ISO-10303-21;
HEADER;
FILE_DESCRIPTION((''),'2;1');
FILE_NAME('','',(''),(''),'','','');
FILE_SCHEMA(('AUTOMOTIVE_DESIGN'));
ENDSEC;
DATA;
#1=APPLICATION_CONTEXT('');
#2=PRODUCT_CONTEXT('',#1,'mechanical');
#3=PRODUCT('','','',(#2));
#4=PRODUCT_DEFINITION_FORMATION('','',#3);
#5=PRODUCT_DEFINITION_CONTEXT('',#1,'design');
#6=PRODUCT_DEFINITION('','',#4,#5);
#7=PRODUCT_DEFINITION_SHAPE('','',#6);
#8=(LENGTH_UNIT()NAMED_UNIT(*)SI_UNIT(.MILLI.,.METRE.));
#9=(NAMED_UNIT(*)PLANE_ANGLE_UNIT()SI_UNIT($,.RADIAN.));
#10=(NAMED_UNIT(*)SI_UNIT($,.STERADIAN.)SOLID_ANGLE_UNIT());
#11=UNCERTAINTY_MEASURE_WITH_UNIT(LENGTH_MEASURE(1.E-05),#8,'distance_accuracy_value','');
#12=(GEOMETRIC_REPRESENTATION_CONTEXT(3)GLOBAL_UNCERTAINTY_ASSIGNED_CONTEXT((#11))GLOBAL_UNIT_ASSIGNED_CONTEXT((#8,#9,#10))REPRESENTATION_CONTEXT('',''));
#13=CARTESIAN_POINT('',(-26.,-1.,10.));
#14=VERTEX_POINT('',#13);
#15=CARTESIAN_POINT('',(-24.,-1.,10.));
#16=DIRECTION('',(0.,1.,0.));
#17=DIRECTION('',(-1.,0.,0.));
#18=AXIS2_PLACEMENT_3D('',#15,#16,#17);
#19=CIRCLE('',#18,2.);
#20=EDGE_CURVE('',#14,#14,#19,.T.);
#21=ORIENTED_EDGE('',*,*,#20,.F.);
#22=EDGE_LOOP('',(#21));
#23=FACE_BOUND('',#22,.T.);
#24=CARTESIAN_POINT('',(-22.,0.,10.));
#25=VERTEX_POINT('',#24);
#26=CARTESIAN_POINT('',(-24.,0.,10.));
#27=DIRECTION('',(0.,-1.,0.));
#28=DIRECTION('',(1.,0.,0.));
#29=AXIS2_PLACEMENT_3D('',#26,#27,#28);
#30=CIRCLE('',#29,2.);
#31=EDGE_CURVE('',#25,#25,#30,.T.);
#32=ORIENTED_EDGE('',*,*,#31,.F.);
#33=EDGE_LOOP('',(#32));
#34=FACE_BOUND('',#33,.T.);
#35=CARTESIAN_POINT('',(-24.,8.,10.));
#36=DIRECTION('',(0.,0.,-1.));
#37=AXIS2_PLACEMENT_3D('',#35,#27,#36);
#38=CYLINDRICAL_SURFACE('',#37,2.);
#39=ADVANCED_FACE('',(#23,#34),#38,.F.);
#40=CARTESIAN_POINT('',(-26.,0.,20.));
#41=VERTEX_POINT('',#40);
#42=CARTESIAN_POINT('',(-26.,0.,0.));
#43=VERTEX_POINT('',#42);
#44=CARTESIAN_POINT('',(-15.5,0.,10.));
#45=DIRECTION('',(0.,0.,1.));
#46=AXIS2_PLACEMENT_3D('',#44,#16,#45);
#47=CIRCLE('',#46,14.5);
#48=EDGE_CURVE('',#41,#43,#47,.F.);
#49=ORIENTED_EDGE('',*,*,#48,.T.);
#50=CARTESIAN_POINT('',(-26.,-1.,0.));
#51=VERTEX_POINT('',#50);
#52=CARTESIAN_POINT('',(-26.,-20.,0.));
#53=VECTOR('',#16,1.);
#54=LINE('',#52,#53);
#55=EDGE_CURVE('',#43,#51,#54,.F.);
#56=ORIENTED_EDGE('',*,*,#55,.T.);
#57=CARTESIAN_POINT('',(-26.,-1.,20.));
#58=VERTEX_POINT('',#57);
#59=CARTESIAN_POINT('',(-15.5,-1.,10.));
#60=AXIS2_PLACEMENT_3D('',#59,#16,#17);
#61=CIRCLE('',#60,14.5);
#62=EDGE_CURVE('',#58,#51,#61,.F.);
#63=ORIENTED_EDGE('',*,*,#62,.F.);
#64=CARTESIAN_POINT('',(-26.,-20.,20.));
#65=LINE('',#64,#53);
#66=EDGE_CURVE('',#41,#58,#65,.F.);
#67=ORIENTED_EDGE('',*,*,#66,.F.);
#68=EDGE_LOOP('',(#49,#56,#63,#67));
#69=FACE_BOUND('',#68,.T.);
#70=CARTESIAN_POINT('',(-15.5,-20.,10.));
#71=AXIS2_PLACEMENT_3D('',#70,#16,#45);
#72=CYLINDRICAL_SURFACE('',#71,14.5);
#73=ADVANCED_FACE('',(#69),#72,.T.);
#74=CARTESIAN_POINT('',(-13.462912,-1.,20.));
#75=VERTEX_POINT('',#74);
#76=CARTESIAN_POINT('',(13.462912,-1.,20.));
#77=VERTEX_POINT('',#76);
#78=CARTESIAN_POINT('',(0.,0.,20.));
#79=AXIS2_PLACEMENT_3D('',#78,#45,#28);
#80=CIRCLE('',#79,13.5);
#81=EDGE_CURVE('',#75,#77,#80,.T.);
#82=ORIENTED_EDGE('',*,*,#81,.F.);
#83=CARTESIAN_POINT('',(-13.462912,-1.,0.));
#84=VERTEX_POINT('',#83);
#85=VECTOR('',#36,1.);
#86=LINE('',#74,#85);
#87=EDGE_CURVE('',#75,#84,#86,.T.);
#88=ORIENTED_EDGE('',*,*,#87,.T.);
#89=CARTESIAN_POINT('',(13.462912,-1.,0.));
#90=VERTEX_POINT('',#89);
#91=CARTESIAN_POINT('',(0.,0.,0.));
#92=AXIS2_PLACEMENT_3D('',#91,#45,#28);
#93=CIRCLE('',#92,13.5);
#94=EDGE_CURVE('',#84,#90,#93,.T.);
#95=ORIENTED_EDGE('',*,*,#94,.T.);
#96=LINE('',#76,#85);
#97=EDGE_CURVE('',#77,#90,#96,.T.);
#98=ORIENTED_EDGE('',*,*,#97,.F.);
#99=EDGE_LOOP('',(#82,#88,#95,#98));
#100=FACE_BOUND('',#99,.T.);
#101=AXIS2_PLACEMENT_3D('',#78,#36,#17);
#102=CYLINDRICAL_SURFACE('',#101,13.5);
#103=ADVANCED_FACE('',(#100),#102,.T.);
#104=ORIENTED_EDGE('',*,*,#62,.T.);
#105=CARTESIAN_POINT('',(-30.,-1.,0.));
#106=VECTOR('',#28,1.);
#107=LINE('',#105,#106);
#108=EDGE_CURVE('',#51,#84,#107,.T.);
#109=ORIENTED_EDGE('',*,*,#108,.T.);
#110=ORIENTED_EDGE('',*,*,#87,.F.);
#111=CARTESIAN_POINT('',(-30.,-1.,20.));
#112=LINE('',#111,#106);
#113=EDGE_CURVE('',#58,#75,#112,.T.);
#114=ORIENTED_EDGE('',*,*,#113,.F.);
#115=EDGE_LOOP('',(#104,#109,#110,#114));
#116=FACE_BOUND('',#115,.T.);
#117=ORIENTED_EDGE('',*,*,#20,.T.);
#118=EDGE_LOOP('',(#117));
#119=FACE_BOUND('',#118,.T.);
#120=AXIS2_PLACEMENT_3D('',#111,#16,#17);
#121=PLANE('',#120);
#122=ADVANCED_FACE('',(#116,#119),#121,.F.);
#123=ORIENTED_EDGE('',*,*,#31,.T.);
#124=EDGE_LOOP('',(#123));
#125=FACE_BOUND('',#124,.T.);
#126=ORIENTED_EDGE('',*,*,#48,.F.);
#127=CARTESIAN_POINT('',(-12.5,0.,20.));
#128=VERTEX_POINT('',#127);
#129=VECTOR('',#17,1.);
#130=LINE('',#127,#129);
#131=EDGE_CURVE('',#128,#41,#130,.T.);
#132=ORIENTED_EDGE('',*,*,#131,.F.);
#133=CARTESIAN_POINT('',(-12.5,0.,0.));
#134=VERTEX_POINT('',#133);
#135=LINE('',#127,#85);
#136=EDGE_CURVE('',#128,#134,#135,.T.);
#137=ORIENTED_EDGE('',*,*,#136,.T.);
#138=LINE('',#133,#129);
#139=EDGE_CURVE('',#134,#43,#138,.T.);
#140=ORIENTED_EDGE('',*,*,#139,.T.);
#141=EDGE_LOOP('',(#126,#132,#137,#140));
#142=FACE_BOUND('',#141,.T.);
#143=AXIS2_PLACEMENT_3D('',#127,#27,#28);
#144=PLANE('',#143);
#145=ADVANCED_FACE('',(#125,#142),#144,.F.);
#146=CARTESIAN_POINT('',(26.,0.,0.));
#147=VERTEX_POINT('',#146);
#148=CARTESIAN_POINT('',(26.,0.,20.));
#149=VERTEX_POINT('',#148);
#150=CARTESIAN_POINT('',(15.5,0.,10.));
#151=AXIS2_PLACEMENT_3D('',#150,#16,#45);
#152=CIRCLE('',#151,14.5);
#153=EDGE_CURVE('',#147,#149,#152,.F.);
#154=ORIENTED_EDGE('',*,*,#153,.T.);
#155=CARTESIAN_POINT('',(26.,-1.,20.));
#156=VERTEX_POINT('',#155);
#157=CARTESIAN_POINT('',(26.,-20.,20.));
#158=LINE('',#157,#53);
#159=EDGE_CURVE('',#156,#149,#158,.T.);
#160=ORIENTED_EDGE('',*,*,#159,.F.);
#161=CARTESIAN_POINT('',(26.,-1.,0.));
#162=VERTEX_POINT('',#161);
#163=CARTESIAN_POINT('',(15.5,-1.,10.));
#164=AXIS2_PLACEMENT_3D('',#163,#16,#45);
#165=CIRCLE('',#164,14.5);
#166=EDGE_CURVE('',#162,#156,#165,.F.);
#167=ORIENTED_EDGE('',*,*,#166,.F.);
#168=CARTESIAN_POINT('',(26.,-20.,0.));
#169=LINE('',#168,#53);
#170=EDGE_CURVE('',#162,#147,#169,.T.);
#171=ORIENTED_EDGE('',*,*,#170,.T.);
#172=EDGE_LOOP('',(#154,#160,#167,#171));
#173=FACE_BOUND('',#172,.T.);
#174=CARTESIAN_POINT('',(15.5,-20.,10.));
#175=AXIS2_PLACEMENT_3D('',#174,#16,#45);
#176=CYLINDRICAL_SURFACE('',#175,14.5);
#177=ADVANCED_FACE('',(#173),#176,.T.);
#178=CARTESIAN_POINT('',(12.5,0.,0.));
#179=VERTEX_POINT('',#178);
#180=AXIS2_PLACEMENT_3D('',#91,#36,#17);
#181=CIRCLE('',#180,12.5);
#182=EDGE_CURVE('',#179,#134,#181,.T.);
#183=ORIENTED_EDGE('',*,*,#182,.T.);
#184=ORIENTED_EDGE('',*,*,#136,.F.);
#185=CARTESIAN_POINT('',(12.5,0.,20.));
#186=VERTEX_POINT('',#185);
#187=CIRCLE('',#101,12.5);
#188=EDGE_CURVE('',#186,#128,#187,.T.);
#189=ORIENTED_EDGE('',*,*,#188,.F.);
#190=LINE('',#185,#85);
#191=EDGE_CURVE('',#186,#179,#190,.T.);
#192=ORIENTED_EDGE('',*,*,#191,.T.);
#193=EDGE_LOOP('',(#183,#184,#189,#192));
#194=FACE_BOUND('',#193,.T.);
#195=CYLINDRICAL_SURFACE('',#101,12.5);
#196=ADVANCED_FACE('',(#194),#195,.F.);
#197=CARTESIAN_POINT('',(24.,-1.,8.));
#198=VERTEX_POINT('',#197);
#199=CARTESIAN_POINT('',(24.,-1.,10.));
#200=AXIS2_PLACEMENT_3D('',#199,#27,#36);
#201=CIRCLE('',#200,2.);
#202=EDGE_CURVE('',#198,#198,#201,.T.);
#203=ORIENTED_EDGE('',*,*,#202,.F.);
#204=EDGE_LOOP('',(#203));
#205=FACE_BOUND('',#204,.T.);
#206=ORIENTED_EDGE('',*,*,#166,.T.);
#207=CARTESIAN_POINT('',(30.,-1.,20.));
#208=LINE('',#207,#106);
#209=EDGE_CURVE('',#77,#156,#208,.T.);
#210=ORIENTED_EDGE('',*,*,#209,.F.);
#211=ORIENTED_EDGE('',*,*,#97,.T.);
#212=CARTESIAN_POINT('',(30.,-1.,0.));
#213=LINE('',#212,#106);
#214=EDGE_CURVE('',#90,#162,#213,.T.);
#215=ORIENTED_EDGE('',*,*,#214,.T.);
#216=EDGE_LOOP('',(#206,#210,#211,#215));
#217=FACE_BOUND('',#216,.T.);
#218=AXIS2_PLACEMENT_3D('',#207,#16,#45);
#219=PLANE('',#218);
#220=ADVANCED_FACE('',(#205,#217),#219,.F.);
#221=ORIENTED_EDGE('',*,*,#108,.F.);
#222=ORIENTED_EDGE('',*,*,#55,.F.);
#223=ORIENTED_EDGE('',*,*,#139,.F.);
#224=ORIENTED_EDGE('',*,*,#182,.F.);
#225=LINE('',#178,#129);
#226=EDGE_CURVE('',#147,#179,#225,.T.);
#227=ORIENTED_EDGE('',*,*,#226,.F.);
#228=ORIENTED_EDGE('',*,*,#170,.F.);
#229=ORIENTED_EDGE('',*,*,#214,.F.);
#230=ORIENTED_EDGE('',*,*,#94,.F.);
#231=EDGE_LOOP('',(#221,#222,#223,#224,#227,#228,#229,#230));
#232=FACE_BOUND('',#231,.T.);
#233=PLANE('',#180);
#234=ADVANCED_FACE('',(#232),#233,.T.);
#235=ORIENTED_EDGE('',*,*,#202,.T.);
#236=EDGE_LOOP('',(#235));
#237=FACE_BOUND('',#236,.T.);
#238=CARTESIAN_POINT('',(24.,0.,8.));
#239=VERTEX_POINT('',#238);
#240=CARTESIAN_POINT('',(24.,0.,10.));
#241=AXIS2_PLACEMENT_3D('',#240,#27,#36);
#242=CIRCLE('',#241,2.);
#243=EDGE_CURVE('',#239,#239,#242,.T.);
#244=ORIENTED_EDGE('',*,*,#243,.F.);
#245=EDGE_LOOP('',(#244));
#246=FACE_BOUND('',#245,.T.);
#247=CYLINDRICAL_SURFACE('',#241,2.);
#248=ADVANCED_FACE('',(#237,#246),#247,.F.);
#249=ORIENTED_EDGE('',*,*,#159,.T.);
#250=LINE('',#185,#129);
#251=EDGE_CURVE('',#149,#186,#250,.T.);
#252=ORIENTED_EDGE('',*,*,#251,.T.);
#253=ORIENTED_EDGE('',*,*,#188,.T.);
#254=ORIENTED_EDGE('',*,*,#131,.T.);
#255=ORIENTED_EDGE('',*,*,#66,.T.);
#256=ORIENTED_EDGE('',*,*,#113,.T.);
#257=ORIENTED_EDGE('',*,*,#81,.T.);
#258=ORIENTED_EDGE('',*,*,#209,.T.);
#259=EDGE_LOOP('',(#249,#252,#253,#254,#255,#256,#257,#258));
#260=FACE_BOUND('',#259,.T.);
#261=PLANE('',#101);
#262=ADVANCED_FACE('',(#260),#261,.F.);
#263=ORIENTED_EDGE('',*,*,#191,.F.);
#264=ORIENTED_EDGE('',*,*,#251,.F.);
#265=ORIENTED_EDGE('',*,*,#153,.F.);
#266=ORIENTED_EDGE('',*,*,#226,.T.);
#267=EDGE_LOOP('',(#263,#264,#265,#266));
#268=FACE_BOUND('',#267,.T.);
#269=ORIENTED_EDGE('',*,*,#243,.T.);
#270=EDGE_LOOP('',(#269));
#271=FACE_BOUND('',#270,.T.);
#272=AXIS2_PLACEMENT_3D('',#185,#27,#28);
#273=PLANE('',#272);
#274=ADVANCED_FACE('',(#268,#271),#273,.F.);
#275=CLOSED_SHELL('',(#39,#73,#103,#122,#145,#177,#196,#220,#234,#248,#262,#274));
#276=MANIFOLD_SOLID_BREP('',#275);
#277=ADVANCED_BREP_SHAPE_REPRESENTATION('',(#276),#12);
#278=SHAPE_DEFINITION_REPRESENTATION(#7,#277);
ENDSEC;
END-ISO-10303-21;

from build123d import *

# Parameters (mm, degrees)
BOSS_EXTRUDE1_DEPTH   = 20
SKETCH2_R             = 2
CUT_EXTRUDE1_DEPTH    = 20
SKETCH3_R             = 2
BOSS_EXTRUDE3_DEPTH   = 20
BOSS_EXTRUDE3_2_DEPTH = 20
CUT_EXTRUDE3_START    = -20
SKETCH4_R             = 2
CUT_EXTRUDE3_DEPTH    = 20
CUT_EXTRUDE4_START    = -29
SKETCH4_2_R           = 2
CUT_EXTRUDE4_DEPTH    = 29
CUT_EXTRUDE6_START    = -20
CUT_EXTRUDE6_DEPTH    = 20
BOSS_EXTRUDE4_START   = -1
BOSS_EXTRUDE4_DEPTH   = 1
BOSS_EXTRUDE5_START   = -1
SKETCH7_R             = 2
BOSS_EXTRUDE5_DEPTH   = 1
SKETCH8_R             = 2
CUT_EXTRUDE7_DEPTH    = 1


with BuildPart() as part:
    # Sketch1 → Boss-Extrude1 (new body)
    with BuildSketch(Plane.XY):
        with BuildLine():
            Line((12.5, 0), (30, 0))
            Line((30, 0), (30, -1))
            Line((30, -1), (13.462912018, -1))
            ThreePointArc((13.462912018, -1), (0, -13.5), (-13.462912018, -1))
            Line((-13.462912018, -1), (-30, -1))
            Line((-30, -1), (-30, 0))
            Line((-30, 0), (-12.5, 0))
            ThreePointArc((-12.5, 0), (0, -12.5), (12.5, 0))
        make_face()
    extrude(amount=BOSS_EXTRUDE1_DEPTH)

    # Sketch2 → Cut-Extrude1 (cut)
    with BuildSketch(Plane(origin=(0, 0, 0), x_dir=(1, 0, 0), z_dir=(0, 1, 0))):
        with BuildLine():
            Line((30, 0), (26, 0))
            ThreePointArc((26, 0), (28.962912018, -4.614835193), (30, -10))
            Line((30, -10), (30, 0))
        make_face()
        with BuildLine():
            ThreePointArc((30, -10), (28.962912018, -15.385164807), (26, -20))
            Line((26, -20), (30, -20))
            Line((30, -20), (30, -10))
        make_face()
        with BuildLine():
            Line((-30, 0), (-30, -9.99999978))
            ThreePointArc((-30, -9.99999978), (-28.962911977, -4.614835091), (-26, 0))
            Line((-26, 0), (-30, 0))
        make_face()
        with BuildLine():
            Line((-30, -20), (-26, -20))
            ThreePointArc((-26, -20), (-28.962912059, -15.385164705), (-30, -9.99999978))
            Line((-30, -9.99999978), (-30, -20))
        make_face()
        with Locations((-26, -10)):
            Circle(SKETCH2_R)
        with Locations((20, -10)):
            Circle(SKETCH2_R)
    extrude(amount=-CUT_EXTRUDE1_DEPTH, mode=Mode.SUBTRACT)

    # Sketch4<2> → Cut-Extrude4 (cut)
    with BuildSketch(Plane.XZ.offset(21).offset(CUT_EXTRUDE4_START)):
        with Locations((20, 10)):
            Circle(SKETCH4_2_R)
        with Locations((-24, 10)):
            Circle(SKETCH4_2_R)
    extrude(amount=CUT_EXTRUDE4_DEPTH, mode=Mode.SUBTRACT)

    # Sketch6 → Boss-Extrude4 (add)
    with BuildSketch(Plane.XZ.offset(1).offset(BOSS_EXTRUDE4_START)):
        with BuildLine():
            ThreePointArc((-25, 8.267949192), (-26, 10), (-25, 11.732050808))
            ThreePointArc((-25, 11.732050808), (-28, 10), (-25, 8.267949192))
        make_face()
    extrude(amount=BOSS_EXTRUDE4_DEPTH)

    # Sketch7 → Boss-Extrude5 (add)
    with BuildSketch(Plane.XZ.offset(1).offset(BOSS_EXTRUDE5_START)):
        with Locations((20, 10)):
            Circle(SKETCH7_R)
    extrude(amount=BOSS_EXTRUDE5_DEPTH)

    # Sketch8 → Cut-Extrude7 (cut)
    with BuildSketch(Plane.XZ.offset(1)):
        with Locations((24, 10)):
            Circle(SKETCH8_R)
    extrude(amount=-CUT_EXTRUDE7_DEPTH, mode=Mode.SUBTRACT)


with BuildPart() as body_2:
    # Sketch3 → Boss-Extrude3 (new body)
    with BuildSketch(Plane.XZ.offset(1)):
        with Locations((20, 10)):
            Circle(SKETCH3_R)
    extrude(amount=BOSS_EXTRUDE3_DEPTH)

    # Sketch4 → Cut-Extrude3 (cut)
    with BuildSketch(Plane.XZ.offset(21).offset(CUT_EXTRUDE3_START)):
        with Locations((20, 10)):
            Circle(SKETCH4_R)
        with Locations((-24, 10)):
            Circle(SKETCH4_R)
    extrude(amount=CUT_EXTRUDE3_DEPTH, mode=Mode.SUBTRACT)


with BuildPart() as body_3:
    # Sketch3 → Boss-Extrude3 2 (new body)
    with BuildSketch(Plane.XZ.offset(1)):
        with BuildLine():
            ThreePointArc((-25, 8.267949192), (-26, 10), (-25, 11.732050808))
            ThreePointArc((-25, 11.732050808), (-28, 10), (-25, 8.267949192))
        make_face()
    extrude(amount=BOSS_EXTRUDE3_2_DEPTH)

    # Sketch5 → Cut-Extrude6 (cut)
    with BuildSketch(Plane.XZ.offset(21).offset(CUT_EXTRUDE6_START)):
        with BuildLine():
            ThreePointArc((-25, 8.267949192), (-26, 10), (-25, 11.732050808))
            ThreePointArc((-25, 11.732050808), (-28, 10), (-25, 8.267949192))
        make_face()
    extrude(amount=CUT_EXTRUDE6_DEPTH, mode=Mode.SUBTRACT)


solid = part.part
